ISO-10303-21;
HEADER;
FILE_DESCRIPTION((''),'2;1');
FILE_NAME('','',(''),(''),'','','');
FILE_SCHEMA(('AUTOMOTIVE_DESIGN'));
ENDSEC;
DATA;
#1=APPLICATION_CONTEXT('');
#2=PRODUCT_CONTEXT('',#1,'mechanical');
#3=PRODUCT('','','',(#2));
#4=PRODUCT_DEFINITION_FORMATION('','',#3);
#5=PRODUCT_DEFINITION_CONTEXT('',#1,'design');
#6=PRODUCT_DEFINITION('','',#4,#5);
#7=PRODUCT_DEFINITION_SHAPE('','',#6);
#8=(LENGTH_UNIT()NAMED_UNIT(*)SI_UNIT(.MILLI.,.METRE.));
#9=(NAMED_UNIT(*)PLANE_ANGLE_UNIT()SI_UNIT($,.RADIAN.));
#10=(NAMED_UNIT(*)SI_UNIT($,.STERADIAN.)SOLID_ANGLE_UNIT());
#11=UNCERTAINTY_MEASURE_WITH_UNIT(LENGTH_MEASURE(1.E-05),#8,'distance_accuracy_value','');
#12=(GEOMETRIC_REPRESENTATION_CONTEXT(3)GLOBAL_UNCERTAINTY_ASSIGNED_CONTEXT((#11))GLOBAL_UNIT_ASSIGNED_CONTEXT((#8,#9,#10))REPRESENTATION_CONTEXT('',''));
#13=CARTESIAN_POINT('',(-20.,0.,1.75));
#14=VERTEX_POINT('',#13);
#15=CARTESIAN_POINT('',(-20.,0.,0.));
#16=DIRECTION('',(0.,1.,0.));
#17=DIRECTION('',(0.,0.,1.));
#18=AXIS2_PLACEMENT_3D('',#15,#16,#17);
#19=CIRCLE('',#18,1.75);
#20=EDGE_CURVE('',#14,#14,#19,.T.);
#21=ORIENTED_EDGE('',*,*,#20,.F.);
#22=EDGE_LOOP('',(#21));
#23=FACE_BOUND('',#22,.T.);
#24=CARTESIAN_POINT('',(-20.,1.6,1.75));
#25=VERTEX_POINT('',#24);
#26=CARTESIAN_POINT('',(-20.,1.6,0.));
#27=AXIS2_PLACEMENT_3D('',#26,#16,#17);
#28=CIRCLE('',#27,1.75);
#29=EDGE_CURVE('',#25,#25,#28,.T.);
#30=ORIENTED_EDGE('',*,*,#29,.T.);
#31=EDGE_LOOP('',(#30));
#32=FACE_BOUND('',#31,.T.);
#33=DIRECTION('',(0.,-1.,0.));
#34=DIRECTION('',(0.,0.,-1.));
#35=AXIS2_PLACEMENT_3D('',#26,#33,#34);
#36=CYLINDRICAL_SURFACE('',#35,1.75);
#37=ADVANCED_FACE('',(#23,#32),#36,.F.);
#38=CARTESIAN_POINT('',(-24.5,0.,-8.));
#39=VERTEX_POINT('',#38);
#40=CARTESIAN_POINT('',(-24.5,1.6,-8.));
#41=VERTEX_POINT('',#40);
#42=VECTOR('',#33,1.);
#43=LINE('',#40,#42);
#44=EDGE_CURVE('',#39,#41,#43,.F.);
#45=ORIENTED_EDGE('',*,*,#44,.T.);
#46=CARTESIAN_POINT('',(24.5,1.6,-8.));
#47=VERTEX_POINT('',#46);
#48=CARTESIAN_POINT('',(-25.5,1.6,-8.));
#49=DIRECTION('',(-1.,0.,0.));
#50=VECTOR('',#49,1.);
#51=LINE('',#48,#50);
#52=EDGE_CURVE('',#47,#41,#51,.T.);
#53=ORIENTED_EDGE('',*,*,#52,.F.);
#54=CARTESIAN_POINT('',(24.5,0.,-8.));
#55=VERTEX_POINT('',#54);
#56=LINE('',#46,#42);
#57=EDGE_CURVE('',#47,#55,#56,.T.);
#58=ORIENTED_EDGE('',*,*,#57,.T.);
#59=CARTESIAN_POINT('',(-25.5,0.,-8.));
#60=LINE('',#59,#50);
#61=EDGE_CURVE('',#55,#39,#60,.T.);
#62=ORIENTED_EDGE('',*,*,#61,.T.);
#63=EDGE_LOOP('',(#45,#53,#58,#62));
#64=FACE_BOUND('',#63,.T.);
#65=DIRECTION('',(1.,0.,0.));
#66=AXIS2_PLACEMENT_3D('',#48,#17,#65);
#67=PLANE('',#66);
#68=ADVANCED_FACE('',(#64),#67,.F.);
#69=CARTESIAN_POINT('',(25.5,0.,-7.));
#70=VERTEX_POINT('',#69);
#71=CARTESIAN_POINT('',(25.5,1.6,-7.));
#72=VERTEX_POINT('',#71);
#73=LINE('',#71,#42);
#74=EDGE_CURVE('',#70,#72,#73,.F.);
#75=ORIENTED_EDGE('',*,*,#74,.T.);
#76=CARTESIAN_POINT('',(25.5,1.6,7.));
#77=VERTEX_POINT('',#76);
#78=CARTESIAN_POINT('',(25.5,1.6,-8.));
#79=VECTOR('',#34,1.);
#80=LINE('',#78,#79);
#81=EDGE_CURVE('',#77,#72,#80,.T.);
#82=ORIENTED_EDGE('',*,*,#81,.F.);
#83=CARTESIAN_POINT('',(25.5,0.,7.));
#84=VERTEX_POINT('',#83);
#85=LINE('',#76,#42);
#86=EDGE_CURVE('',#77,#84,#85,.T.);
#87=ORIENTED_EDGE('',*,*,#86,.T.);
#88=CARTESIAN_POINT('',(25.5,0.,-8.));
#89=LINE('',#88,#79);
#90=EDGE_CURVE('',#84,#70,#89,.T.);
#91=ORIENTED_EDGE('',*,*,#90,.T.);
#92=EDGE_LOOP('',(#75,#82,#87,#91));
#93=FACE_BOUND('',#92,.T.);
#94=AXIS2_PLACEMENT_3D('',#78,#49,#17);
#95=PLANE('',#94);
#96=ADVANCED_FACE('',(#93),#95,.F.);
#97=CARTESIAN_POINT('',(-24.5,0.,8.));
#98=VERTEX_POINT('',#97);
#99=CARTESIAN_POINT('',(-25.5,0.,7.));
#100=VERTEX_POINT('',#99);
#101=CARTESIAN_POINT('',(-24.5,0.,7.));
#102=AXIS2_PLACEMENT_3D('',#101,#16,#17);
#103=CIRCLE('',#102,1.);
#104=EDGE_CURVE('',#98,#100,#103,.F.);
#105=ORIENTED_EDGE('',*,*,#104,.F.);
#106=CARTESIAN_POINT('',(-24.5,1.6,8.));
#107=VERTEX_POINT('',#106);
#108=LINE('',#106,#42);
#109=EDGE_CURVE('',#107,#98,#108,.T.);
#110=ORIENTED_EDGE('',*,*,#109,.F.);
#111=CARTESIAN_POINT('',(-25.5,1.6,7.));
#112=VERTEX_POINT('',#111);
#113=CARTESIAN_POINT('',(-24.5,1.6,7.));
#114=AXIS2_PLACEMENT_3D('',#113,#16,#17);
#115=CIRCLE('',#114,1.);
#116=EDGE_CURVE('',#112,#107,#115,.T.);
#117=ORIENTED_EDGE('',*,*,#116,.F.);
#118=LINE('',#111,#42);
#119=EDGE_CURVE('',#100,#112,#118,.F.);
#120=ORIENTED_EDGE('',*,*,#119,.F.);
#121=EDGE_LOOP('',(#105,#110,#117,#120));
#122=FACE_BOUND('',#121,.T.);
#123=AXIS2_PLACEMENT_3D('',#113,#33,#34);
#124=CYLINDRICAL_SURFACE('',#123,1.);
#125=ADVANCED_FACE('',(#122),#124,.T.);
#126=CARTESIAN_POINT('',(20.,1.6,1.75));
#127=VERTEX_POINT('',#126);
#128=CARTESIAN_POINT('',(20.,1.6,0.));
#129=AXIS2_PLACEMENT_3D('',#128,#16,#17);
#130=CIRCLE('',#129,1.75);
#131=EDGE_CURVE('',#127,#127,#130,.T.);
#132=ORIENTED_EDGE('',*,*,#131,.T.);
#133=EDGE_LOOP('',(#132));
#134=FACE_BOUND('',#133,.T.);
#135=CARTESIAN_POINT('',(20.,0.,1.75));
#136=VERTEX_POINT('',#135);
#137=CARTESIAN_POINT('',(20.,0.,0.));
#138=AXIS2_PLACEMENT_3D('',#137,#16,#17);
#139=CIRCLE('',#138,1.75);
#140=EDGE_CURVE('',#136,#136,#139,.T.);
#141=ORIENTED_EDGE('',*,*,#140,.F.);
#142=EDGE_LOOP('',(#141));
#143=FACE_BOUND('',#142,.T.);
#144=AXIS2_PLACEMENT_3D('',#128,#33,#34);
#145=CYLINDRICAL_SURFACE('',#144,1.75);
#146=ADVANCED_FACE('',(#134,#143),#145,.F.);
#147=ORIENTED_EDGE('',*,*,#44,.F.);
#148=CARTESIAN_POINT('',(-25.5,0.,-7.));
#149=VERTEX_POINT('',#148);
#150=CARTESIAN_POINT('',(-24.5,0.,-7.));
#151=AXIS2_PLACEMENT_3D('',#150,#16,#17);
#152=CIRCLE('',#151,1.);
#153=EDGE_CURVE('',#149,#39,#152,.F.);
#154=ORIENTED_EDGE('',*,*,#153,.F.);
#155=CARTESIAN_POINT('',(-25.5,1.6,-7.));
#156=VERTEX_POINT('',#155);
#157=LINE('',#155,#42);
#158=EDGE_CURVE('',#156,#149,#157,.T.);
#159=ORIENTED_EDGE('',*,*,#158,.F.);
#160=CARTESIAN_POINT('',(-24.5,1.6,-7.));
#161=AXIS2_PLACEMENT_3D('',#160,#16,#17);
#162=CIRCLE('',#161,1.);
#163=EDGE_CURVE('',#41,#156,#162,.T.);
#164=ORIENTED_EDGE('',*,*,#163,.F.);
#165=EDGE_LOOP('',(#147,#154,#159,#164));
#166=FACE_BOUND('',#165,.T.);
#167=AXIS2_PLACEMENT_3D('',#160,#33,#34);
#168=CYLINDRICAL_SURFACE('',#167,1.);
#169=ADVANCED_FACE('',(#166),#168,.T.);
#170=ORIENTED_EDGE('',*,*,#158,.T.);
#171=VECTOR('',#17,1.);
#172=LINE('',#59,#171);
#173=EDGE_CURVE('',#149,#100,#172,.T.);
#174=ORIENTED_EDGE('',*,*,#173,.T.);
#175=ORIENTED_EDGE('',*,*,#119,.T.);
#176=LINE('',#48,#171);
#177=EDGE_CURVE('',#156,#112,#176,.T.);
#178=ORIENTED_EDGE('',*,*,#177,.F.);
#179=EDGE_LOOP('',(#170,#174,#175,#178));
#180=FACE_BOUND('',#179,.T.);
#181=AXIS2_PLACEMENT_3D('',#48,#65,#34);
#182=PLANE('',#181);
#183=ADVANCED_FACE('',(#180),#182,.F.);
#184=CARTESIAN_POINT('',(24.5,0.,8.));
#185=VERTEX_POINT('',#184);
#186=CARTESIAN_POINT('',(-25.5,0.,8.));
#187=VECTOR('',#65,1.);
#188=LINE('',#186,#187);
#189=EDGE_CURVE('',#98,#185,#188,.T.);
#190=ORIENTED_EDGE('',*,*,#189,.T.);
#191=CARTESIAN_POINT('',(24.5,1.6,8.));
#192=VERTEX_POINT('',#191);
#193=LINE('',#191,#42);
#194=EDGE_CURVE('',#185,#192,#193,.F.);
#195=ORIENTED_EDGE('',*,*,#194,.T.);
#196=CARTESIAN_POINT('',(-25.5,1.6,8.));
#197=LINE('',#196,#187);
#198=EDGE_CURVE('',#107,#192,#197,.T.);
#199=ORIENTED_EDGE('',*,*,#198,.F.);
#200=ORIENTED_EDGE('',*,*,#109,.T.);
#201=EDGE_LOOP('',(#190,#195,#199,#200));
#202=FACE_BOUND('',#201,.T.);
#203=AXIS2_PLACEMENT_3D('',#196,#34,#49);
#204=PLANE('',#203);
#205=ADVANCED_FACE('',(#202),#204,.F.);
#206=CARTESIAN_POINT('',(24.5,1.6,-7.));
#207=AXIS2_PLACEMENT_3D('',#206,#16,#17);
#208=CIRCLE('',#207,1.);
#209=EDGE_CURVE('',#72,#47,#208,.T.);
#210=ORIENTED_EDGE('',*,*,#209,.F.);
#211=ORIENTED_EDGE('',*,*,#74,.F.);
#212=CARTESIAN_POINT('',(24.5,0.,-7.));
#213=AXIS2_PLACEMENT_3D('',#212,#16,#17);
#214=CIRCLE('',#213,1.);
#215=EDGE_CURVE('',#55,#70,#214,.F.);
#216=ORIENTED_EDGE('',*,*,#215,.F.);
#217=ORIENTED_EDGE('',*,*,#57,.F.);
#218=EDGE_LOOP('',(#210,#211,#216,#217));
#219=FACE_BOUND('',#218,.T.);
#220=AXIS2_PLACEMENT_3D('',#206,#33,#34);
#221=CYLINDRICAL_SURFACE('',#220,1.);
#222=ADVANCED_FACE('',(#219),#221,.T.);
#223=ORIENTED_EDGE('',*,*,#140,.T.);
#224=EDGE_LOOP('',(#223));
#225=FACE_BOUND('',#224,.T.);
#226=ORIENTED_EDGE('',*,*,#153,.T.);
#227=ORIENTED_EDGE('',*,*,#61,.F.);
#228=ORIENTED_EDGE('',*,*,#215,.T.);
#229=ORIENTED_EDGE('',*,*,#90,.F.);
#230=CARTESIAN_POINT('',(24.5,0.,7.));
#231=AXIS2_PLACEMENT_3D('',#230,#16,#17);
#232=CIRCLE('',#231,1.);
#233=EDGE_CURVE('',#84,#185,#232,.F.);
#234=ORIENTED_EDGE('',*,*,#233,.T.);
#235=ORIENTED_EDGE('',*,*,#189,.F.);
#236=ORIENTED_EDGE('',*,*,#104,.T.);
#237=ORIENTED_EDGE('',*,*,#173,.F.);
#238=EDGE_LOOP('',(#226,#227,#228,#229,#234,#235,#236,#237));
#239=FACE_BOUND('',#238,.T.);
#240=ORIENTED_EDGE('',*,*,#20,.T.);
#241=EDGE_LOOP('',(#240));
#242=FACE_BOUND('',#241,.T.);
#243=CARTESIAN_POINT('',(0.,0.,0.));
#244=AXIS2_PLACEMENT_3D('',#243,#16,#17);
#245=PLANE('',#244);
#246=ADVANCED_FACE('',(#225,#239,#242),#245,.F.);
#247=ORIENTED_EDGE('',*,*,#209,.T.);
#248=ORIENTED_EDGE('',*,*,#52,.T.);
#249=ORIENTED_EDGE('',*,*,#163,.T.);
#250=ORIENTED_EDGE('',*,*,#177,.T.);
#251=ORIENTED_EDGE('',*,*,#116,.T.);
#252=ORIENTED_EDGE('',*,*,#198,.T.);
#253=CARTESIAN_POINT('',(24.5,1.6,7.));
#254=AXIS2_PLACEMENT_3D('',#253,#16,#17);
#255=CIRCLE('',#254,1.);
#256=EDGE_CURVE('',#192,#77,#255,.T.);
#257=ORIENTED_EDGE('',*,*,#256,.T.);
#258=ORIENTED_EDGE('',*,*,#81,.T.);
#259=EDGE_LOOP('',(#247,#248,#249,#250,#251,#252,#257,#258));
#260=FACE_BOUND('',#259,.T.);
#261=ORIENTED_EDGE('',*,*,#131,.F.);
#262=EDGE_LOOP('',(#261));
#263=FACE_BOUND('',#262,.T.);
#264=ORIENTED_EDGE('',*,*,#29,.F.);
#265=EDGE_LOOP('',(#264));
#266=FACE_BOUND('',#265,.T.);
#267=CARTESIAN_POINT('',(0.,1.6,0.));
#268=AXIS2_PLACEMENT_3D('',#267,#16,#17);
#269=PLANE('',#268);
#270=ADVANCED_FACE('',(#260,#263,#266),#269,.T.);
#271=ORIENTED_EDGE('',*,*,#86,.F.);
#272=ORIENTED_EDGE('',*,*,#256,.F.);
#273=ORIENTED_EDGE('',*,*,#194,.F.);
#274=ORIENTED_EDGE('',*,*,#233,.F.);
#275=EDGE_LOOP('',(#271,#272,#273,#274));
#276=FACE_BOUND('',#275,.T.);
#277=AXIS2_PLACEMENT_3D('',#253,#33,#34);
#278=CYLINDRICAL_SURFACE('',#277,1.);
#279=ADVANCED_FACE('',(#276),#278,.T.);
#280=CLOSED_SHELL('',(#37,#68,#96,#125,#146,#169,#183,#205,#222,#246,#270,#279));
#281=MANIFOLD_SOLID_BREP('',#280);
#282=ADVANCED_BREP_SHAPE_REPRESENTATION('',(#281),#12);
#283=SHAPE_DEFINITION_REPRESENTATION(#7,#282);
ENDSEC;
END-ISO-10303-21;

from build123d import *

# Parameters (mm, degrees)
SKETCH1_W           = 51
SKETCH1_H           = 16
SKETCH1_R           = 1.75
BOSS_EXTRUDE1_DEPTH = 1.6
FILLET1_R           = 1


with BuildPart() as part:
    # Sketch1 → Boss-Extrude1 (new body)
    with BuildSketch(Plane(origin=(0, 0, 0), x_dir=(1, 0, 0), z_dir=(0, 1, 0))):
        Rectangle(SKETCH1_W, SKETCH1_H)
        with Locations(Location((-20, 0, 0), (0, 0, 270))):
            Circle(SKETCH1_R, mode=Mode.SUBTRACT)
        with Locations(Location((20, 0, 0), (0, 0, 270))):
            Circle(SKETCH1_R, mode=Mode.SUBTRACT)
    extrude(amount=BOSS_EXTRUDE1_DEPTH)

    # Fillet1
    fillet1_edges = [part.edges().sort_by_distance(p)[0] for p in [
        (25.5, 0.8, 8),
        (-25.5, 0.8, 8),
        (-25.5, 0.8, -8),
        (25.5, 0.8, -8),
    ]]
    fillet(fillet1_edges, radius=FILLET1_R)


solid = part.part
